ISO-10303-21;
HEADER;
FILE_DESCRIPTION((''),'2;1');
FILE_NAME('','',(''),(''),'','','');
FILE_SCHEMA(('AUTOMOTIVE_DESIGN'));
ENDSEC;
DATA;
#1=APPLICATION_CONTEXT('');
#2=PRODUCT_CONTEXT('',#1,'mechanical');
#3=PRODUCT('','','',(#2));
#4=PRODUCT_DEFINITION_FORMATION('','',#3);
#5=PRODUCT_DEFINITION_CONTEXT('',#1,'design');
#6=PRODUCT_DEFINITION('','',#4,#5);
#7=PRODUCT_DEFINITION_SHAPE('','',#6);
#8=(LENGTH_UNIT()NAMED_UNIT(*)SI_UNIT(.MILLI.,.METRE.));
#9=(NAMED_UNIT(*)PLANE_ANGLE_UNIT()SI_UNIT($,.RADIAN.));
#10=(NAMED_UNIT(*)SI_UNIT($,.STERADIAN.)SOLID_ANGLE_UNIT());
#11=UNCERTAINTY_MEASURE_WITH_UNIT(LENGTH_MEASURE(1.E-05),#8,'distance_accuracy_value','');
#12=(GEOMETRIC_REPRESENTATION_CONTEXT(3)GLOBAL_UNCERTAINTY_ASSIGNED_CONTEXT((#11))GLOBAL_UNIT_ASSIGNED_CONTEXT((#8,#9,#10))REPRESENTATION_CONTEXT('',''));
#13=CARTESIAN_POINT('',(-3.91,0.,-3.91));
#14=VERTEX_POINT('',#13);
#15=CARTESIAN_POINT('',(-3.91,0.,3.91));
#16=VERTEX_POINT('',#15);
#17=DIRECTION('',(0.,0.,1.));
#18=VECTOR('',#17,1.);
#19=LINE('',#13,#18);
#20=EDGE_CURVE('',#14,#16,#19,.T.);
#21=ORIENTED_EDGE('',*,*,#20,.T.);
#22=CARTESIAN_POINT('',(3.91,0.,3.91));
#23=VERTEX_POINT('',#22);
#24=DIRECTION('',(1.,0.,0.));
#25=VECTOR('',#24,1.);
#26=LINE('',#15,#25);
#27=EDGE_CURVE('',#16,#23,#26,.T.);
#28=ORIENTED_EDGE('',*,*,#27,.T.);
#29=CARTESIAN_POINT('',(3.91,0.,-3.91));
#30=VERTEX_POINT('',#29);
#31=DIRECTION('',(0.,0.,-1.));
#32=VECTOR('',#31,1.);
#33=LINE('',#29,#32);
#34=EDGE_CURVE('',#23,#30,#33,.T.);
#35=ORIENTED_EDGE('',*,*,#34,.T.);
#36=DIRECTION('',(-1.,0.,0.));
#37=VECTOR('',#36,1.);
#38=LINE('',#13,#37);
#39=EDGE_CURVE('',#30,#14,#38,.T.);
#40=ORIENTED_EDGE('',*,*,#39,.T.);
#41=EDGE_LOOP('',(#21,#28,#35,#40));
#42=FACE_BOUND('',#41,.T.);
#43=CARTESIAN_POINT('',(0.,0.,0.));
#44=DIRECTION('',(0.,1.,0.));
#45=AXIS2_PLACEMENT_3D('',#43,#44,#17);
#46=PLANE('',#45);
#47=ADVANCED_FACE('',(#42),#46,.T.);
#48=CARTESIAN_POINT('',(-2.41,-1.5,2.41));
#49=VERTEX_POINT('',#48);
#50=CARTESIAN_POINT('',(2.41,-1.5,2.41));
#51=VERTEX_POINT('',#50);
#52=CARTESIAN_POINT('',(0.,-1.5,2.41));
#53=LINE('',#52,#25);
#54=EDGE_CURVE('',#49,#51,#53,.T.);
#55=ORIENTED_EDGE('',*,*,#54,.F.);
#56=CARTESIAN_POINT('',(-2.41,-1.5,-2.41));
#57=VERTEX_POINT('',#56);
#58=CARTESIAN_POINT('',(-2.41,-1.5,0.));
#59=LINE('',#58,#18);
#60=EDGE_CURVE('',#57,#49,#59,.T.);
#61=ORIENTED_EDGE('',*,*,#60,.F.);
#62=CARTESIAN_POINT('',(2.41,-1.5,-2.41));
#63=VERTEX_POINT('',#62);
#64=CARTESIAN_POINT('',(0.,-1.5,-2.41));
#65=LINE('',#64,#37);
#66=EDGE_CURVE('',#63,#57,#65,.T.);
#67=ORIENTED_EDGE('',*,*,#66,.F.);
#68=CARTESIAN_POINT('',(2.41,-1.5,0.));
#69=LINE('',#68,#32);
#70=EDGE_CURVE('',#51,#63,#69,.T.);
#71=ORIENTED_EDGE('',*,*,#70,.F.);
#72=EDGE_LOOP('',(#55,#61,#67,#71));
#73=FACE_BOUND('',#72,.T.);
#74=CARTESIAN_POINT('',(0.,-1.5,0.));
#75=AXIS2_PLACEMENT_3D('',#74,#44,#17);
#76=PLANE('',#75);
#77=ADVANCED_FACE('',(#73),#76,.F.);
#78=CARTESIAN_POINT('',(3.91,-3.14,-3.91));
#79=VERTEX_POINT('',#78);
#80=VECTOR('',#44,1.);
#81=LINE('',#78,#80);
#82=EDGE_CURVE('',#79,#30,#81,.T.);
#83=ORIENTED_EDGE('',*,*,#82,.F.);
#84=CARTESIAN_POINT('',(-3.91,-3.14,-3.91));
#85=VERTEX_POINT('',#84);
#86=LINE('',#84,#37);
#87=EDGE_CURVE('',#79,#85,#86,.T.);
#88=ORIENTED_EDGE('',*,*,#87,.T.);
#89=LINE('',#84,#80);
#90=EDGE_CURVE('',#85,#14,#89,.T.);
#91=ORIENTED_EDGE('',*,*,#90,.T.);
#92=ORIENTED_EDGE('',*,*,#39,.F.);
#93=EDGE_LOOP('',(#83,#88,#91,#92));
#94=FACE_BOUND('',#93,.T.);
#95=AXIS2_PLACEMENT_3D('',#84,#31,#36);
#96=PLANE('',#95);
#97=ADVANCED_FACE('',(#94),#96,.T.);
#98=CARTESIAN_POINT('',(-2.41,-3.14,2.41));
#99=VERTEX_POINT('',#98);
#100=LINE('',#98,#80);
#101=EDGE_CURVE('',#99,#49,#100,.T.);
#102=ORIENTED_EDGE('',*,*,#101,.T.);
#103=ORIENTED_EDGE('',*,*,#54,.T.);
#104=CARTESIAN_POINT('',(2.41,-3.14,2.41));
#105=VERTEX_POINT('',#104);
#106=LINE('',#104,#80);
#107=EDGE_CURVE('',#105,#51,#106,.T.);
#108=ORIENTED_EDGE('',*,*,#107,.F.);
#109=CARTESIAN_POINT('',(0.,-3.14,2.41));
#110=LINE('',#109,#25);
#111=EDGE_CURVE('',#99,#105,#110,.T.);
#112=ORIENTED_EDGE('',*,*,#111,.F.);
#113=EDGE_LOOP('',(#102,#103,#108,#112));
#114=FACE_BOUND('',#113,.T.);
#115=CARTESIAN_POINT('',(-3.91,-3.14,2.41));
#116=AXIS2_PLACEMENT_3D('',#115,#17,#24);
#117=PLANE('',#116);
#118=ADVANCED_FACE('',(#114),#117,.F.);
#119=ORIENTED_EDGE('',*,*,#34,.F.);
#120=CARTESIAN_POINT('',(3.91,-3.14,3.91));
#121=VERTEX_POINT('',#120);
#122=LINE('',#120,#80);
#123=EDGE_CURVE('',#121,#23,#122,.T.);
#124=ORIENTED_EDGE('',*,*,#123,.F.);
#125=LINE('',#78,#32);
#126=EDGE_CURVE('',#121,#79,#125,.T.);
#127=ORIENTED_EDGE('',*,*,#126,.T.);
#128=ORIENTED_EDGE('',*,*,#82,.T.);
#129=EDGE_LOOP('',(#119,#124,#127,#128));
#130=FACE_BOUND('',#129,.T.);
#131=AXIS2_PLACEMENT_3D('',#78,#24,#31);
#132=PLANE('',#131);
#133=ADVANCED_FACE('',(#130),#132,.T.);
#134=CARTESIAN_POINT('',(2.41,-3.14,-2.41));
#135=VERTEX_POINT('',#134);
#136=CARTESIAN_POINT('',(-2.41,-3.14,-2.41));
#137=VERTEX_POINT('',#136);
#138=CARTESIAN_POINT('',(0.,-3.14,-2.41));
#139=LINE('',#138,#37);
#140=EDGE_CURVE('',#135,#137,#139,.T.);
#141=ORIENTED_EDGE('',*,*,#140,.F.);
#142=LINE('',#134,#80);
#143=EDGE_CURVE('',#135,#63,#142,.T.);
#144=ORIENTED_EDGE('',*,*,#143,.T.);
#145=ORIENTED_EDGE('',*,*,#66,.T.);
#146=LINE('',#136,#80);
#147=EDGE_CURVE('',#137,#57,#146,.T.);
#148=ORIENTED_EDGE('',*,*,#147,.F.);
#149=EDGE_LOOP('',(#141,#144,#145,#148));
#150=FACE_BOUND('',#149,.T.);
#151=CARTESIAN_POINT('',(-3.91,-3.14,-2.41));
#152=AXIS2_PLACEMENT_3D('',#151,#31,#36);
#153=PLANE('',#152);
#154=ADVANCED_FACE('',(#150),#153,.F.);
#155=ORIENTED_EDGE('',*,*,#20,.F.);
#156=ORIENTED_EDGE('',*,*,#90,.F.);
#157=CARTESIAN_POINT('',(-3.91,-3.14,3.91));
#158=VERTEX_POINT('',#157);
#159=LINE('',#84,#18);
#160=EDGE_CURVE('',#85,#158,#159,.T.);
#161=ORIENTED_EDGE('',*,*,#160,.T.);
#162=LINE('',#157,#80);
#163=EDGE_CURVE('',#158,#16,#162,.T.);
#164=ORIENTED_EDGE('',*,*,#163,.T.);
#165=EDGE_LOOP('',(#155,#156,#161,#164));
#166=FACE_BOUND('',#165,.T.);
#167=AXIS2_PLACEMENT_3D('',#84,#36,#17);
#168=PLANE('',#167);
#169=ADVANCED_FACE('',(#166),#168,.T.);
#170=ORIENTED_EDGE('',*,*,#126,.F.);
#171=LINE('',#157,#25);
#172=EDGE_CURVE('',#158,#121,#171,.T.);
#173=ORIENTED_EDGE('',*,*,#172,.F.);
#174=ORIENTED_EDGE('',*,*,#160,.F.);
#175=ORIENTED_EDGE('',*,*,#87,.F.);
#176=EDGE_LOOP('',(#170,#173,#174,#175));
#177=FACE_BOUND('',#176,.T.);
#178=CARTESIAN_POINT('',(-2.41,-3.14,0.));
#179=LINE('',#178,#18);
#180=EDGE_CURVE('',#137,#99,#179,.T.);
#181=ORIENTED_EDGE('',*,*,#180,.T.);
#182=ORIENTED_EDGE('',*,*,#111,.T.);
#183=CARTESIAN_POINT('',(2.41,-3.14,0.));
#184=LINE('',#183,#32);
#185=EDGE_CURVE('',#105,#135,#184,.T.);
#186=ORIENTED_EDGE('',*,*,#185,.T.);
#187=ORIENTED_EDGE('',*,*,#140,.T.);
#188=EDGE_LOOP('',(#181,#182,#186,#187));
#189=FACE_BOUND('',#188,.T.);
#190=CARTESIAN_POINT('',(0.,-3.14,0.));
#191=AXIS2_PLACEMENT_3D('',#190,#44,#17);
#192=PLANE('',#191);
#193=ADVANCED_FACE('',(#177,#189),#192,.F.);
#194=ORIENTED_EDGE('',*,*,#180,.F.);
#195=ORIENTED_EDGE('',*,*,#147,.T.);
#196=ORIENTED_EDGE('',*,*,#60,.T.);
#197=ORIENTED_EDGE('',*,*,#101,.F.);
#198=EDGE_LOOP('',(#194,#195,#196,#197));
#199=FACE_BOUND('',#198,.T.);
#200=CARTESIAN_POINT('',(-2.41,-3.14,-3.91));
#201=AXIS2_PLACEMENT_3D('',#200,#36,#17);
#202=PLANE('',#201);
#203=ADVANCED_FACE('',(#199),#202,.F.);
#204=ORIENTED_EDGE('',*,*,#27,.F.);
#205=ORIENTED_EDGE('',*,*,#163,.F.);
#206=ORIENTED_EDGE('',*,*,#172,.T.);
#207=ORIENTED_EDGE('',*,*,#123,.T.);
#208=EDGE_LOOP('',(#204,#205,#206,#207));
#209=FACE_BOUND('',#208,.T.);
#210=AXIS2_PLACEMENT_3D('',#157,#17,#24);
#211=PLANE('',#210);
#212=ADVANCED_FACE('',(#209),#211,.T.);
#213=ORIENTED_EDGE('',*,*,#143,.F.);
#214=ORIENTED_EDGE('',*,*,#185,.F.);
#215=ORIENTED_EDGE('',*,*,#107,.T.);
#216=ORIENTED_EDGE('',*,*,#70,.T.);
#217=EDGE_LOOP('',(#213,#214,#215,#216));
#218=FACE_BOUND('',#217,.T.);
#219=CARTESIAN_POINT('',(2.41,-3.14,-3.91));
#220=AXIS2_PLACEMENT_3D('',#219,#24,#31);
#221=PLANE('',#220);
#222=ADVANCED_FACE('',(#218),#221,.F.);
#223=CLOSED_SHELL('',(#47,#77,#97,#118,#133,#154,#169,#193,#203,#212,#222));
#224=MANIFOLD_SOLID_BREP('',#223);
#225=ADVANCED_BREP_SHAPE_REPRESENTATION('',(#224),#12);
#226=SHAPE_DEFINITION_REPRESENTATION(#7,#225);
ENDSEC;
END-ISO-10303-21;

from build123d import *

# Parameters (mm, degrees)
SKETCH2_W           = 7.82
SKETCH2_H           = 7.82
BOSS_EXTRUDE1_DEPTH = 3.14
SHELL1_T            = -1.5


with BuildPart() as part:
    # Sketch2 → Boss-Extrude1 (new body)
    with BuildSketch(Plane(origin=(0, 0, 0), x_dir=(1, 0, 0), z_dir=(0, 1, 0))):
        Rectangle(SKETCH2_W, SKETCH2_H)
    extrude(amount=-BOSS_EXTRUDE1_DEPTH)

    # Shell1
    shell1_openings = [part.faces().sort_by_distance(p)[0] for p in [
        (0, -3.14, 0),
    ]]
    offset(amount=SHELL1_T, openings=shell1_openings, kind=Kind.INTERSECTION)


solid = part.part
